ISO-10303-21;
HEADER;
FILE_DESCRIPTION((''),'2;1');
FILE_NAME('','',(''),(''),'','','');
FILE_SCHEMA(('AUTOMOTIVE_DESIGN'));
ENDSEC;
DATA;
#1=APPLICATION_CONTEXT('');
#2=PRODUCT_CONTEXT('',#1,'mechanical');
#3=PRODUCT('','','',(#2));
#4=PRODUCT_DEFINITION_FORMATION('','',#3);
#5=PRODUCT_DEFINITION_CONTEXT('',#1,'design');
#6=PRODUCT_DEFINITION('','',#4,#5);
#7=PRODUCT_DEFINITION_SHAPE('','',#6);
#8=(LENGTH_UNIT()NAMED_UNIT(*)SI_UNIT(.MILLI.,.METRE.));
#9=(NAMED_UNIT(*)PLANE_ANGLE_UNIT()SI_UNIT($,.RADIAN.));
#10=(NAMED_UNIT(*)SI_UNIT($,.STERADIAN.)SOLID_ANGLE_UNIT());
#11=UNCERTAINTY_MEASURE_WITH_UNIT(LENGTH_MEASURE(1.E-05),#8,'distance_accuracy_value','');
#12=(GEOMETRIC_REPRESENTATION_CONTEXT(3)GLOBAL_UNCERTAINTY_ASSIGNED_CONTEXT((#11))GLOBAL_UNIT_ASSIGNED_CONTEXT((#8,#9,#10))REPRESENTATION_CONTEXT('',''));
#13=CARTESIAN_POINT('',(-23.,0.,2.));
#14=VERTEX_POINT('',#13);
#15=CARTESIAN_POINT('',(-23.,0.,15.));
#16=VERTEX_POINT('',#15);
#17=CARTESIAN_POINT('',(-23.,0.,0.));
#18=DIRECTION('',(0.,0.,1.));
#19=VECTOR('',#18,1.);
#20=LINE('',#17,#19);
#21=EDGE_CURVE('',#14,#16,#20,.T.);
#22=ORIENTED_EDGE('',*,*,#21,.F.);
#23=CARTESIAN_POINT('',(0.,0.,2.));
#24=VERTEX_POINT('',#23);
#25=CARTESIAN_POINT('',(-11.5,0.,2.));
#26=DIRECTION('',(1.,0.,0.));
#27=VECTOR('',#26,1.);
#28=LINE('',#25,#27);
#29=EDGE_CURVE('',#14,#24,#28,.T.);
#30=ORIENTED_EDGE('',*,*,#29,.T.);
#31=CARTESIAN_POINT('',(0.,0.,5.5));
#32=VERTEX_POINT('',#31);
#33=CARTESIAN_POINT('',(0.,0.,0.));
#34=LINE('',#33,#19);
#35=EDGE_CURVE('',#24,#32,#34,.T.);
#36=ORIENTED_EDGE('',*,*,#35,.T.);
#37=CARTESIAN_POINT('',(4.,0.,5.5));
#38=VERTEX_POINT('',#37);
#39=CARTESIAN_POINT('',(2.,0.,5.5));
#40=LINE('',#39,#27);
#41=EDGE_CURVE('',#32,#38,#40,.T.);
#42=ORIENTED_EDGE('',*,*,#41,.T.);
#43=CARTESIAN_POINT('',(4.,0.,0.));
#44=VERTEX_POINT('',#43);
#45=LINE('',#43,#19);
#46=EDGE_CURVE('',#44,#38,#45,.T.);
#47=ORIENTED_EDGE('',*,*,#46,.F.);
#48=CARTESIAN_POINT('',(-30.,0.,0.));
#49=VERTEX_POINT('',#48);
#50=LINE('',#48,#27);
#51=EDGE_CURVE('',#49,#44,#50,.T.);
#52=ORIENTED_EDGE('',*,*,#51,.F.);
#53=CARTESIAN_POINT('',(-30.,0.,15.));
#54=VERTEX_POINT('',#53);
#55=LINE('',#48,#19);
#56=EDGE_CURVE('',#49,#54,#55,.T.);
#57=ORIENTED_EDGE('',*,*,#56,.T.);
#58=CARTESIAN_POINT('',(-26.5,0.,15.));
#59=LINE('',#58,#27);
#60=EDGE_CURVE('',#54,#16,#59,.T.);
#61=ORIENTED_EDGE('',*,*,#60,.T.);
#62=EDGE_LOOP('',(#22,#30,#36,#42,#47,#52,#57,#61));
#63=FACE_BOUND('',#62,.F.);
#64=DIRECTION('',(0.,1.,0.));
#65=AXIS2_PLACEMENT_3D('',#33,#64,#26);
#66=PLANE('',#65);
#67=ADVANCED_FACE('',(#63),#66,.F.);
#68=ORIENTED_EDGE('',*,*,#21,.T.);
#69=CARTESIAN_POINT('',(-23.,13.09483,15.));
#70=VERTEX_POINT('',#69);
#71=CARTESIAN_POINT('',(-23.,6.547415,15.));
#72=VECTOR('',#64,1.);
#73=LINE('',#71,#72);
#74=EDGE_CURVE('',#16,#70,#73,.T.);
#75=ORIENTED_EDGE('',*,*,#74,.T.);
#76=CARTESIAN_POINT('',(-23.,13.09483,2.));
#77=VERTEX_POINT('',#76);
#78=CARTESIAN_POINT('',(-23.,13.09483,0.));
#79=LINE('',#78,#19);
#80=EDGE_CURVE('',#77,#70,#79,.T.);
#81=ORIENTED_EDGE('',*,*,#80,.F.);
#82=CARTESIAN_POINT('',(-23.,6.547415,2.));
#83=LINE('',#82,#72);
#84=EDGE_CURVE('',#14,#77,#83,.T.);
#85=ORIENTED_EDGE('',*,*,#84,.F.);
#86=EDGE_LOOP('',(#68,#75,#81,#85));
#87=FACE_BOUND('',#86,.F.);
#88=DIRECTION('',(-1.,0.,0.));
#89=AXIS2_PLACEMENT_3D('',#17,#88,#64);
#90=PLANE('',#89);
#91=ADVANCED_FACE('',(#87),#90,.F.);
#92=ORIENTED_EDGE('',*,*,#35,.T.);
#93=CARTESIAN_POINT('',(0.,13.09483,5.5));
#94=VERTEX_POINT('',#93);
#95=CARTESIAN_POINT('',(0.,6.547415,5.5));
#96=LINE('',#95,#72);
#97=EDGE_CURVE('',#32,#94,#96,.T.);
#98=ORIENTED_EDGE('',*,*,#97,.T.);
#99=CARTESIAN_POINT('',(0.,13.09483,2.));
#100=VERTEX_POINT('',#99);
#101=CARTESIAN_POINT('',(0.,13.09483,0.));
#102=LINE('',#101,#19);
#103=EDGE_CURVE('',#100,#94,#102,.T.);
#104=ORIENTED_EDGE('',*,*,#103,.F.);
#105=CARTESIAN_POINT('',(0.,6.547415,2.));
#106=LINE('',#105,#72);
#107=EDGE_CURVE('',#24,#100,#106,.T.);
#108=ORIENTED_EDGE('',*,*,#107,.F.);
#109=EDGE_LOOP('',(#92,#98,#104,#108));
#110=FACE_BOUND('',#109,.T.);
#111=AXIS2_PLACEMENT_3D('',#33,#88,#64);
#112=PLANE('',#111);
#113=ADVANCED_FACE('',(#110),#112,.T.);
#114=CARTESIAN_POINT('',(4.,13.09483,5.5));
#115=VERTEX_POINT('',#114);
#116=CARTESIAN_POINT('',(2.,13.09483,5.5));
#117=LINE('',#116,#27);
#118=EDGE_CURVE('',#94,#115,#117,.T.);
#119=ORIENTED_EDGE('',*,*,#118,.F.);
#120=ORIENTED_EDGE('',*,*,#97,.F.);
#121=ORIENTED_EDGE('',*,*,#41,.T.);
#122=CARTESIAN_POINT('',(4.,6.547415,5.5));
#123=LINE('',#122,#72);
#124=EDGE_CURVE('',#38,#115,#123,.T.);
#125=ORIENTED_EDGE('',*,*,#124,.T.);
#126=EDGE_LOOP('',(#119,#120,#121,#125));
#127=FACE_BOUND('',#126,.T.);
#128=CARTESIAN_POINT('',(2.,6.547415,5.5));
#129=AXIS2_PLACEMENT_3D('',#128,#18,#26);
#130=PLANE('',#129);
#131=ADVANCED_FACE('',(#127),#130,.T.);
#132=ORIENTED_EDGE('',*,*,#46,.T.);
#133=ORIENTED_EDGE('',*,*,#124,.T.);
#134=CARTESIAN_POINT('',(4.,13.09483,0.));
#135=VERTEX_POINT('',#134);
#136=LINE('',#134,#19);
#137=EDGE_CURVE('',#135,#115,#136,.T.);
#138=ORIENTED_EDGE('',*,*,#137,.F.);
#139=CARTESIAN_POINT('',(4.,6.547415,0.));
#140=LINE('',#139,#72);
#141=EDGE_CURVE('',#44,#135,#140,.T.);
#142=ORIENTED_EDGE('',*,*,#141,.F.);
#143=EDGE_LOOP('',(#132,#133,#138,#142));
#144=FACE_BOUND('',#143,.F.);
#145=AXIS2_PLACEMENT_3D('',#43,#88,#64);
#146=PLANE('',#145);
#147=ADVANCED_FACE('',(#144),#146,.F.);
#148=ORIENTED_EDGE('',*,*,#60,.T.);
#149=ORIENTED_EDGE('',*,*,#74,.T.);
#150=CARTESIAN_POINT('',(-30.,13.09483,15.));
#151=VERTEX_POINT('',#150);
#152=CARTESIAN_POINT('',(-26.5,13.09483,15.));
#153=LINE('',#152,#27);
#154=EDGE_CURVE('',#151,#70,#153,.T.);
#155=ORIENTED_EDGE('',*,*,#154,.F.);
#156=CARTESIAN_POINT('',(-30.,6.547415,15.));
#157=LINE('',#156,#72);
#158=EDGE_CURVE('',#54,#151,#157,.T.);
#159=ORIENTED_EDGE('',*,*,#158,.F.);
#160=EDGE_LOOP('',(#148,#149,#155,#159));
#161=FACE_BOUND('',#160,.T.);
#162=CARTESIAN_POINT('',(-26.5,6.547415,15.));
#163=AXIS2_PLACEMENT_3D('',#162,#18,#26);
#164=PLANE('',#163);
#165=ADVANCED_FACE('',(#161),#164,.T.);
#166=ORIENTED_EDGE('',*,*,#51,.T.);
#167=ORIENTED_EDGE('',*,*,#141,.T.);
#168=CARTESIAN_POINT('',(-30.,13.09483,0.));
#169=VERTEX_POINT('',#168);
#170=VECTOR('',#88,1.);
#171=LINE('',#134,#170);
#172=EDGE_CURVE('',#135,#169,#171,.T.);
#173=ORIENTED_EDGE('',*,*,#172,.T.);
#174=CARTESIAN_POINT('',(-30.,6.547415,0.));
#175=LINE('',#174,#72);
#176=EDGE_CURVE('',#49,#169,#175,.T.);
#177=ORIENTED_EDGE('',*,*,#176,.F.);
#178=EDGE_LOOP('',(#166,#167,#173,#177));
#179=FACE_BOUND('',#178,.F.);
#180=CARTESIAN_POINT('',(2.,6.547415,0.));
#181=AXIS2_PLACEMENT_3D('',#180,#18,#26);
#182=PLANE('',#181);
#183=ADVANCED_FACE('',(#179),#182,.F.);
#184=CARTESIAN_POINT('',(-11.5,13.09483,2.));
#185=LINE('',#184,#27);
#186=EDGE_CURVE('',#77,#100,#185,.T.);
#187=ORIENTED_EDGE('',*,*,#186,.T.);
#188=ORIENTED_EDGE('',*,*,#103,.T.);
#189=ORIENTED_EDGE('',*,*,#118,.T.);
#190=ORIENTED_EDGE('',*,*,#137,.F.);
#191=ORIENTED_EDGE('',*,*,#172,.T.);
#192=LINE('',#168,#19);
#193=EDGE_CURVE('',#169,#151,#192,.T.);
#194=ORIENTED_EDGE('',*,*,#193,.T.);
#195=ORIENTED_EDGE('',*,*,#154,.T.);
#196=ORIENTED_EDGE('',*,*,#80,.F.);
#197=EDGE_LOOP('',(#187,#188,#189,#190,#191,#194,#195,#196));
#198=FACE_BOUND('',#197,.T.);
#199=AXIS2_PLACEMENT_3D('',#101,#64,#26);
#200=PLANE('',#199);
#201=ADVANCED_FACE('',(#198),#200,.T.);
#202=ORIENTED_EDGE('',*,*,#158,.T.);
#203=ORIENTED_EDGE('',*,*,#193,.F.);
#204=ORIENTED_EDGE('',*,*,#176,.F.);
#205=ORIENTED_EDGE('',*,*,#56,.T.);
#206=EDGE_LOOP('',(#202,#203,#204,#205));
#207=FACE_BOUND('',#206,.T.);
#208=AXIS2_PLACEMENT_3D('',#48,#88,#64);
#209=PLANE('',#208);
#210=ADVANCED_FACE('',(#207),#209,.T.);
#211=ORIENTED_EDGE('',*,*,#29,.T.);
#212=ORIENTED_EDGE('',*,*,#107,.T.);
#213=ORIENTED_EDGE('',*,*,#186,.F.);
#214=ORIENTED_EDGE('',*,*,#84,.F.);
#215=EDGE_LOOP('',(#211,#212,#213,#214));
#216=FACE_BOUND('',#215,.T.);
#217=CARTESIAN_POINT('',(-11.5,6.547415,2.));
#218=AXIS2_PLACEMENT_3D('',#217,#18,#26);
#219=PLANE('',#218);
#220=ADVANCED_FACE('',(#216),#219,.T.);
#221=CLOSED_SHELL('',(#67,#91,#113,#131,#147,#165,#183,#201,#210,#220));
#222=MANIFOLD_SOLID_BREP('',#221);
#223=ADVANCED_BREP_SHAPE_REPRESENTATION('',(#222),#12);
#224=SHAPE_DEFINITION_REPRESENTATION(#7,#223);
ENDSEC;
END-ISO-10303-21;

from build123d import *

# Parameters (mm, degrees)
F0_W     = 7
F0_H     = 13.09483
F1_DEPTH = 15
F0_W_2   = 23
F2_DEPTH = 2
F0_W_3   = 4
F3_DEPTH = 5.5


with BuildPart() as f1:
    # F0 (on Top) → F1 (new body)
    with BuildSketch(Plane.XY):
        with Locations((-26.5, 6.547415)):
            Rectangle(F0_W, F0_H)
    extrude(amount=F1_DEPTH)

    # F0 (on Top) → F2 (join)
    with BuildSketch(Plane.XY):
        with Locations((-11.5, 6.547415)):
            Rectangle(F0_W_2, F0_H)
    extrude(amount=F2_DEPTH)

    # F0 (on Top) → F3 (join)
    with BuildSketch(Plane.XY):
        with Locations((2, 6.547415)):
            Rectangle(F0_W_3, F0_H)
    extrude(amount=F3_DEPTH)


solid = f1.part
